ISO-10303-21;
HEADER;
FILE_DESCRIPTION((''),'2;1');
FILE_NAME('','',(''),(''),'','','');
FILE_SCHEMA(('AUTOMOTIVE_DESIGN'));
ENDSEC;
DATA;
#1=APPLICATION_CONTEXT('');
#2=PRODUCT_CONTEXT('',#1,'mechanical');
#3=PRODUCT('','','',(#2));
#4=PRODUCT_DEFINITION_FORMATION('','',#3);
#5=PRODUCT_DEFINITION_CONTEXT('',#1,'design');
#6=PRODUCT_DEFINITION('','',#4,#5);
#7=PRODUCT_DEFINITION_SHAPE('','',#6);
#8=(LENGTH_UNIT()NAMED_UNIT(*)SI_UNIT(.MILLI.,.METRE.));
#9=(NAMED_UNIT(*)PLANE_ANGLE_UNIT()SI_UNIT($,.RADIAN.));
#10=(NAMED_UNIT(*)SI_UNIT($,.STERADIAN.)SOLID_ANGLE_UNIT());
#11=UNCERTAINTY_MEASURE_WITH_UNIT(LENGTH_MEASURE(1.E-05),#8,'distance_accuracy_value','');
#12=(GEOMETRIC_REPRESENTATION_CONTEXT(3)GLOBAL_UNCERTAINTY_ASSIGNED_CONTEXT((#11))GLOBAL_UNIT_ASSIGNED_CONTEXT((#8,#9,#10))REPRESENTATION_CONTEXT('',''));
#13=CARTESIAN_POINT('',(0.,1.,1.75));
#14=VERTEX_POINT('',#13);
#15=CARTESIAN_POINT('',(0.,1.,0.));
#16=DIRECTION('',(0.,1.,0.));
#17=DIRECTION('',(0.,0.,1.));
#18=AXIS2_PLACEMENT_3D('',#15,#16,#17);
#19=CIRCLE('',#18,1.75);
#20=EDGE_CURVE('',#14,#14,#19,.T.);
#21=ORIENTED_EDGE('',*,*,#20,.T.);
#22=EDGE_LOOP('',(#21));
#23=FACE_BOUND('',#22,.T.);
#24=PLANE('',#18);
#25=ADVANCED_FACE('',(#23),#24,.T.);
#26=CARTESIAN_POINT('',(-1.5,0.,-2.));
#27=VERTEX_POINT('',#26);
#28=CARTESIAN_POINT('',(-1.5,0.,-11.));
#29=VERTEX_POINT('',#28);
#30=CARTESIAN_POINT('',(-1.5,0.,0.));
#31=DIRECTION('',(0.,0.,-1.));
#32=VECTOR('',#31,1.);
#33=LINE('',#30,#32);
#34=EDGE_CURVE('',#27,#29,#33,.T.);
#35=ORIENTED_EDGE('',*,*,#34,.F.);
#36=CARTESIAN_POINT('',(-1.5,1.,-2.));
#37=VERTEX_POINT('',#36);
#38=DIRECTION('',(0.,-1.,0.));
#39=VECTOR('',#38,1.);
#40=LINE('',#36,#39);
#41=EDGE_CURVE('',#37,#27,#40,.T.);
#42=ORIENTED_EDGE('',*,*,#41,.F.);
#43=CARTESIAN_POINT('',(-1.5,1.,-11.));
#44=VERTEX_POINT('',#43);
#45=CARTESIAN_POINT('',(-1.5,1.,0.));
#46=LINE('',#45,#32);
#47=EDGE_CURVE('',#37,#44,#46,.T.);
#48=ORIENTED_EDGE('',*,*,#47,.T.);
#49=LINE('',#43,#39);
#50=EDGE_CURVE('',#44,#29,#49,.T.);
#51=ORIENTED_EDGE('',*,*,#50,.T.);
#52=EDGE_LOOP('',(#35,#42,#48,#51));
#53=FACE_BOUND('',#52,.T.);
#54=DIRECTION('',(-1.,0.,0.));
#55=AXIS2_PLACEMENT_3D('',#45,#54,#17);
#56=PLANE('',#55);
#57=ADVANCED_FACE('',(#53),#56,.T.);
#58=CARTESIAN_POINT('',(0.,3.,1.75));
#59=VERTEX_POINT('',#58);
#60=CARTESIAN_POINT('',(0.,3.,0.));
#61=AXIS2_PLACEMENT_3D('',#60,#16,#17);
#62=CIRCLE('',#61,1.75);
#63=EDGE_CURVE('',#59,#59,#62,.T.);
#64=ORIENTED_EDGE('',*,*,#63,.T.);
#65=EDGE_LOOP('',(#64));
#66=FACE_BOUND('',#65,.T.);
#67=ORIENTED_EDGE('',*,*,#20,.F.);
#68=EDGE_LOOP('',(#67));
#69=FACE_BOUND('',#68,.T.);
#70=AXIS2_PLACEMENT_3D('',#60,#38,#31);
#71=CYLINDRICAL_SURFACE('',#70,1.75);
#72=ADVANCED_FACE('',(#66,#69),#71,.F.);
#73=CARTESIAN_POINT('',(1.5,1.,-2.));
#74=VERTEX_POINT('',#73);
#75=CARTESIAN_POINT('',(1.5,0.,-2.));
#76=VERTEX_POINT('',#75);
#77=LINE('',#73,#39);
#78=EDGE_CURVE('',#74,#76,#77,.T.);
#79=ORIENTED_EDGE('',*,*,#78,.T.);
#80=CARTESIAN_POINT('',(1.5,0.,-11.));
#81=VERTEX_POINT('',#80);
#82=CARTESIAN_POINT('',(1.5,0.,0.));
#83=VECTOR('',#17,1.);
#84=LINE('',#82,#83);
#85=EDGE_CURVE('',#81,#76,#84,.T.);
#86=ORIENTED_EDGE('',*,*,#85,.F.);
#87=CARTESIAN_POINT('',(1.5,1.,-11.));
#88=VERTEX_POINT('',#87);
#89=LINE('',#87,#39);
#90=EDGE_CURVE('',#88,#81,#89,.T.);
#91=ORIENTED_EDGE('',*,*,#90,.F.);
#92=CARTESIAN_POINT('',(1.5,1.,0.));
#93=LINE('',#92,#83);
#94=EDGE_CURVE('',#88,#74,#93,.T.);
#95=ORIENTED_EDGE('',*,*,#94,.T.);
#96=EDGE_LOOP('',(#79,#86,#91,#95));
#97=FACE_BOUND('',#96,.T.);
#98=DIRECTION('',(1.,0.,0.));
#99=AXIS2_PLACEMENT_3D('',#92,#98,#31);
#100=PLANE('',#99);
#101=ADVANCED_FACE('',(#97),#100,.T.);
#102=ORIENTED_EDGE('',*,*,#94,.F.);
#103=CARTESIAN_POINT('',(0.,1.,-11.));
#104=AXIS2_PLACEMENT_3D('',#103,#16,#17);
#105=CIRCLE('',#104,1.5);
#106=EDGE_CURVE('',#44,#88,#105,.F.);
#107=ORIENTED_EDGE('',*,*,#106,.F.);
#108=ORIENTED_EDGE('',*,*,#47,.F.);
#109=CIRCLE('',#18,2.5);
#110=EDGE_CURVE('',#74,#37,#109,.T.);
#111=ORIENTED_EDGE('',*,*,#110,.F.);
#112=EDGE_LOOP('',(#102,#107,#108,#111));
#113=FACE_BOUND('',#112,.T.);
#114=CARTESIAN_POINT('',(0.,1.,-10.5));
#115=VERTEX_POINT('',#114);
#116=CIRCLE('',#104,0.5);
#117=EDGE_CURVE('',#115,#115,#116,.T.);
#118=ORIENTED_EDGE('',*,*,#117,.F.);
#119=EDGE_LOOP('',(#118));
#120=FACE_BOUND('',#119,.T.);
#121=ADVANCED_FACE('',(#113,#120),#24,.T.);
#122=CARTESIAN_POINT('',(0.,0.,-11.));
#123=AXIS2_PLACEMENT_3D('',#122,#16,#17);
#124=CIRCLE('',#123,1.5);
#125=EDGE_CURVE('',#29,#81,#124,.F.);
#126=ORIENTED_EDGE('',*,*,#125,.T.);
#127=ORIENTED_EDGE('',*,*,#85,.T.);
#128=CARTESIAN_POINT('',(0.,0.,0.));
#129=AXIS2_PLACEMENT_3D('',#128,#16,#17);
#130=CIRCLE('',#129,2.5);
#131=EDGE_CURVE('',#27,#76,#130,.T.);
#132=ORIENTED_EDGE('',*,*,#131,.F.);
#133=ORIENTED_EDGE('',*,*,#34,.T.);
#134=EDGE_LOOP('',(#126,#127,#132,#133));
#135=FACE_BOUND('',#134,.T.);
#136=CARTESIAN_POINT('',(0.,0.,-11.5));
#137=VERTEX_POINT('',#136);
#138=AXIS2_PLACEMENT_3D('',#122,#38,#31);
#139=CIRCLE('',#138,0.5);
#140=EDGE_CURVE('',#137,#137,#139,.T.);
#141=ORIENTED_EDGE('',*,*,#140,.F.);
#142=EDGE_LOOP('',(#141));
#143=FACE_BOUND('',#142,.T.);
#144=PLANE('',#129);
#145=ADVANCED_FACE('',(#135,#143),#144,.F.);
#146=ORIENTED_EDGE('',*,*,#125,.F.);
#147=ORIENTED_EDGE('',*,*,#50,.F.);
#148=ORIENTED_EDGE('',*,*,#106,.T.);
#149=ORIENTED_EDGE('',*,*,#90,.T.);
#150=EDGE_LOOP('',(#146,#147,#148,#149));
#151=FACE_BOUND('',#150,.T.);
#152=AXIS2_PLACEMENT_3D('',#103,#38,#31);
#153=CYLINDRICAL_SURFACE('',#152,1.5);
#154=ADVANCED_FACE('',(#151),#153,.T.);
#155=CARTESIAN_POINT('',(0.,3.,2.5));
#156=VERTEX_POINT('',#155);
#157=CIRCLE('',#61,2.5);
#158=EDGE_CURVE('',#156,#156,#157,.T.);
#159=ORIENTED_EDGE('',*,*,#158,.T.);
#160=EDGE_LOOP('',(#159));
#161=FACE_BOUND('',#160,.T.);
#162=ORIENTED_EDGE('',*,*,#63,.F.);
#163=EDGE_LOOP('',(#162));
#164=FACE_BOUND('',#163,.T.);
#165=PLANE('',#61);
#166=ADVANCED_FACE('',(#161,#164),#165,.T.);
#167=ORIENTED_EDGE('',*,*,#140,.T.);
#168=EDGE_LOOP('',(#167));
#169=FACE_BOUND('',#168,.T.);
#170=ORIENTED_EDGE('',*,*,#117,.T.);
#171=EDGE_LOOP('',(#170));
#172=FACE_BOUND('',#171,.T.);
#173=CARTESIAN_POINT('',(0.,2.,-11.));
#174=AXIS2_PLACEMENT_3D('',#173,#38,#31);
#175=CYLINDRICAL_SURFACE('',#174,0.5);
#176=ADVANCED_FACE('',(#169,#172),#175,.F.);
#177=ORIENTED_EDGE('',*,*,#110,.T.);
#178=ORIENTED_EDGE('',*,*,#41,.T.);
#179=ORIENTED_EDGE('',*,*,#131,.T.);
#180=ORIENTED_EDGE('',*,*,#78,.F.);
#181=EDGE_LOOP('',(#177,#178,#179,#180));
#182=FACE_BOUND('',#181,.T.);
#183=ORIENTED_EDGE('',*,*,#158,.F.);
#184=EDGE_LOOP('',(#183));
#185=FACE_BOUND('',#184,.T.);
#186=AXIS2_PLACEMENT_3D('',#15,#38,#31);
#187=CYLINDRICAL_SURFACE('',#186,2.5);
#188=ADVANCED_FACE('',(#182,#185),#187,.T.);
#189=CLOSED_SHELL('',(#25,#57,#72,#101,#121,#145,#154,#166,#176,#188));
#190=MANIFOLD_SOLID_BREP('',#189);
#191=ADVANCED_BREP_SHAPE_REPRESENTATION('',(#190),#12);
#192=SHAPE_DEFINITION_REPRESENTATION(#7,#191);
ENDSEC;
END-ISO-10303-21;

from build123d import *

# Parameters (mm, degrees)
SKETCH3_R           = 2.5
BOSS_EXTRUDE2_DEPTH = 1
SKETCH4_R           = 2.5
SKETCH4_R_2         = 1.75
BOSS_EXTRUDE3_DEPTH = 2
SKETCH5_R           = 0.5
CUT_EXTRUDE1_DEPTH  = 2


with BuildPart() as part:
    # Sketch3 → Boss-Extrude2 (new body)
    with BuildSketch(Plane(origin=(0, 0, 0), x_dir=(1, 0, 0), z_dir=(0, 1, 0))):
        with BuildLine():
            Line((-1.5, 11), (-1.5, 2))
            ThreePointArc((-1.5, 2), (0, 2.5), (1.5, 2))
            Line((1.5, 2), (1.5, 11))
            ThreePointArc((1.5, 11), (0, 12.5), (-1.5, 11))
        make_face()
        Circle(SKETCH3_R)
    extrude(amount=BOSS_EXTRUDE2_DEPTH)

    # Sketch4 → Boss-Extrude3 (add)
    with BuildSketch(Plane(origin=(0, 1, 0), x_dir=(1, 0, 0), z_dir=(0, 1, 0))):
        with Locations(Location((0, 0, 0), (0, 0, 53.130102354))):
            Circle(SKETCH4_R)
        with Locations(Location((0, 0, 0), (0, 0, 270))):
            Circle(SKETCH4_R_2, mode=Mode.SUBTRACT)
    extrude(amount=BOSS_EXTRUDE3_DEPTH)

    # Sketch5 → Cut-Extrude1 (cut)
    with BuildSketch(Plane.XZ):
        with Locations(Location((0, -11, 0), (0, 0, 270))):
            Circle(SKETCH5_R)
    extrude(amount=-CUT_EXTRUDE1_DEPTH, mode=Mode.SUBTRACT)


solid = part.part
